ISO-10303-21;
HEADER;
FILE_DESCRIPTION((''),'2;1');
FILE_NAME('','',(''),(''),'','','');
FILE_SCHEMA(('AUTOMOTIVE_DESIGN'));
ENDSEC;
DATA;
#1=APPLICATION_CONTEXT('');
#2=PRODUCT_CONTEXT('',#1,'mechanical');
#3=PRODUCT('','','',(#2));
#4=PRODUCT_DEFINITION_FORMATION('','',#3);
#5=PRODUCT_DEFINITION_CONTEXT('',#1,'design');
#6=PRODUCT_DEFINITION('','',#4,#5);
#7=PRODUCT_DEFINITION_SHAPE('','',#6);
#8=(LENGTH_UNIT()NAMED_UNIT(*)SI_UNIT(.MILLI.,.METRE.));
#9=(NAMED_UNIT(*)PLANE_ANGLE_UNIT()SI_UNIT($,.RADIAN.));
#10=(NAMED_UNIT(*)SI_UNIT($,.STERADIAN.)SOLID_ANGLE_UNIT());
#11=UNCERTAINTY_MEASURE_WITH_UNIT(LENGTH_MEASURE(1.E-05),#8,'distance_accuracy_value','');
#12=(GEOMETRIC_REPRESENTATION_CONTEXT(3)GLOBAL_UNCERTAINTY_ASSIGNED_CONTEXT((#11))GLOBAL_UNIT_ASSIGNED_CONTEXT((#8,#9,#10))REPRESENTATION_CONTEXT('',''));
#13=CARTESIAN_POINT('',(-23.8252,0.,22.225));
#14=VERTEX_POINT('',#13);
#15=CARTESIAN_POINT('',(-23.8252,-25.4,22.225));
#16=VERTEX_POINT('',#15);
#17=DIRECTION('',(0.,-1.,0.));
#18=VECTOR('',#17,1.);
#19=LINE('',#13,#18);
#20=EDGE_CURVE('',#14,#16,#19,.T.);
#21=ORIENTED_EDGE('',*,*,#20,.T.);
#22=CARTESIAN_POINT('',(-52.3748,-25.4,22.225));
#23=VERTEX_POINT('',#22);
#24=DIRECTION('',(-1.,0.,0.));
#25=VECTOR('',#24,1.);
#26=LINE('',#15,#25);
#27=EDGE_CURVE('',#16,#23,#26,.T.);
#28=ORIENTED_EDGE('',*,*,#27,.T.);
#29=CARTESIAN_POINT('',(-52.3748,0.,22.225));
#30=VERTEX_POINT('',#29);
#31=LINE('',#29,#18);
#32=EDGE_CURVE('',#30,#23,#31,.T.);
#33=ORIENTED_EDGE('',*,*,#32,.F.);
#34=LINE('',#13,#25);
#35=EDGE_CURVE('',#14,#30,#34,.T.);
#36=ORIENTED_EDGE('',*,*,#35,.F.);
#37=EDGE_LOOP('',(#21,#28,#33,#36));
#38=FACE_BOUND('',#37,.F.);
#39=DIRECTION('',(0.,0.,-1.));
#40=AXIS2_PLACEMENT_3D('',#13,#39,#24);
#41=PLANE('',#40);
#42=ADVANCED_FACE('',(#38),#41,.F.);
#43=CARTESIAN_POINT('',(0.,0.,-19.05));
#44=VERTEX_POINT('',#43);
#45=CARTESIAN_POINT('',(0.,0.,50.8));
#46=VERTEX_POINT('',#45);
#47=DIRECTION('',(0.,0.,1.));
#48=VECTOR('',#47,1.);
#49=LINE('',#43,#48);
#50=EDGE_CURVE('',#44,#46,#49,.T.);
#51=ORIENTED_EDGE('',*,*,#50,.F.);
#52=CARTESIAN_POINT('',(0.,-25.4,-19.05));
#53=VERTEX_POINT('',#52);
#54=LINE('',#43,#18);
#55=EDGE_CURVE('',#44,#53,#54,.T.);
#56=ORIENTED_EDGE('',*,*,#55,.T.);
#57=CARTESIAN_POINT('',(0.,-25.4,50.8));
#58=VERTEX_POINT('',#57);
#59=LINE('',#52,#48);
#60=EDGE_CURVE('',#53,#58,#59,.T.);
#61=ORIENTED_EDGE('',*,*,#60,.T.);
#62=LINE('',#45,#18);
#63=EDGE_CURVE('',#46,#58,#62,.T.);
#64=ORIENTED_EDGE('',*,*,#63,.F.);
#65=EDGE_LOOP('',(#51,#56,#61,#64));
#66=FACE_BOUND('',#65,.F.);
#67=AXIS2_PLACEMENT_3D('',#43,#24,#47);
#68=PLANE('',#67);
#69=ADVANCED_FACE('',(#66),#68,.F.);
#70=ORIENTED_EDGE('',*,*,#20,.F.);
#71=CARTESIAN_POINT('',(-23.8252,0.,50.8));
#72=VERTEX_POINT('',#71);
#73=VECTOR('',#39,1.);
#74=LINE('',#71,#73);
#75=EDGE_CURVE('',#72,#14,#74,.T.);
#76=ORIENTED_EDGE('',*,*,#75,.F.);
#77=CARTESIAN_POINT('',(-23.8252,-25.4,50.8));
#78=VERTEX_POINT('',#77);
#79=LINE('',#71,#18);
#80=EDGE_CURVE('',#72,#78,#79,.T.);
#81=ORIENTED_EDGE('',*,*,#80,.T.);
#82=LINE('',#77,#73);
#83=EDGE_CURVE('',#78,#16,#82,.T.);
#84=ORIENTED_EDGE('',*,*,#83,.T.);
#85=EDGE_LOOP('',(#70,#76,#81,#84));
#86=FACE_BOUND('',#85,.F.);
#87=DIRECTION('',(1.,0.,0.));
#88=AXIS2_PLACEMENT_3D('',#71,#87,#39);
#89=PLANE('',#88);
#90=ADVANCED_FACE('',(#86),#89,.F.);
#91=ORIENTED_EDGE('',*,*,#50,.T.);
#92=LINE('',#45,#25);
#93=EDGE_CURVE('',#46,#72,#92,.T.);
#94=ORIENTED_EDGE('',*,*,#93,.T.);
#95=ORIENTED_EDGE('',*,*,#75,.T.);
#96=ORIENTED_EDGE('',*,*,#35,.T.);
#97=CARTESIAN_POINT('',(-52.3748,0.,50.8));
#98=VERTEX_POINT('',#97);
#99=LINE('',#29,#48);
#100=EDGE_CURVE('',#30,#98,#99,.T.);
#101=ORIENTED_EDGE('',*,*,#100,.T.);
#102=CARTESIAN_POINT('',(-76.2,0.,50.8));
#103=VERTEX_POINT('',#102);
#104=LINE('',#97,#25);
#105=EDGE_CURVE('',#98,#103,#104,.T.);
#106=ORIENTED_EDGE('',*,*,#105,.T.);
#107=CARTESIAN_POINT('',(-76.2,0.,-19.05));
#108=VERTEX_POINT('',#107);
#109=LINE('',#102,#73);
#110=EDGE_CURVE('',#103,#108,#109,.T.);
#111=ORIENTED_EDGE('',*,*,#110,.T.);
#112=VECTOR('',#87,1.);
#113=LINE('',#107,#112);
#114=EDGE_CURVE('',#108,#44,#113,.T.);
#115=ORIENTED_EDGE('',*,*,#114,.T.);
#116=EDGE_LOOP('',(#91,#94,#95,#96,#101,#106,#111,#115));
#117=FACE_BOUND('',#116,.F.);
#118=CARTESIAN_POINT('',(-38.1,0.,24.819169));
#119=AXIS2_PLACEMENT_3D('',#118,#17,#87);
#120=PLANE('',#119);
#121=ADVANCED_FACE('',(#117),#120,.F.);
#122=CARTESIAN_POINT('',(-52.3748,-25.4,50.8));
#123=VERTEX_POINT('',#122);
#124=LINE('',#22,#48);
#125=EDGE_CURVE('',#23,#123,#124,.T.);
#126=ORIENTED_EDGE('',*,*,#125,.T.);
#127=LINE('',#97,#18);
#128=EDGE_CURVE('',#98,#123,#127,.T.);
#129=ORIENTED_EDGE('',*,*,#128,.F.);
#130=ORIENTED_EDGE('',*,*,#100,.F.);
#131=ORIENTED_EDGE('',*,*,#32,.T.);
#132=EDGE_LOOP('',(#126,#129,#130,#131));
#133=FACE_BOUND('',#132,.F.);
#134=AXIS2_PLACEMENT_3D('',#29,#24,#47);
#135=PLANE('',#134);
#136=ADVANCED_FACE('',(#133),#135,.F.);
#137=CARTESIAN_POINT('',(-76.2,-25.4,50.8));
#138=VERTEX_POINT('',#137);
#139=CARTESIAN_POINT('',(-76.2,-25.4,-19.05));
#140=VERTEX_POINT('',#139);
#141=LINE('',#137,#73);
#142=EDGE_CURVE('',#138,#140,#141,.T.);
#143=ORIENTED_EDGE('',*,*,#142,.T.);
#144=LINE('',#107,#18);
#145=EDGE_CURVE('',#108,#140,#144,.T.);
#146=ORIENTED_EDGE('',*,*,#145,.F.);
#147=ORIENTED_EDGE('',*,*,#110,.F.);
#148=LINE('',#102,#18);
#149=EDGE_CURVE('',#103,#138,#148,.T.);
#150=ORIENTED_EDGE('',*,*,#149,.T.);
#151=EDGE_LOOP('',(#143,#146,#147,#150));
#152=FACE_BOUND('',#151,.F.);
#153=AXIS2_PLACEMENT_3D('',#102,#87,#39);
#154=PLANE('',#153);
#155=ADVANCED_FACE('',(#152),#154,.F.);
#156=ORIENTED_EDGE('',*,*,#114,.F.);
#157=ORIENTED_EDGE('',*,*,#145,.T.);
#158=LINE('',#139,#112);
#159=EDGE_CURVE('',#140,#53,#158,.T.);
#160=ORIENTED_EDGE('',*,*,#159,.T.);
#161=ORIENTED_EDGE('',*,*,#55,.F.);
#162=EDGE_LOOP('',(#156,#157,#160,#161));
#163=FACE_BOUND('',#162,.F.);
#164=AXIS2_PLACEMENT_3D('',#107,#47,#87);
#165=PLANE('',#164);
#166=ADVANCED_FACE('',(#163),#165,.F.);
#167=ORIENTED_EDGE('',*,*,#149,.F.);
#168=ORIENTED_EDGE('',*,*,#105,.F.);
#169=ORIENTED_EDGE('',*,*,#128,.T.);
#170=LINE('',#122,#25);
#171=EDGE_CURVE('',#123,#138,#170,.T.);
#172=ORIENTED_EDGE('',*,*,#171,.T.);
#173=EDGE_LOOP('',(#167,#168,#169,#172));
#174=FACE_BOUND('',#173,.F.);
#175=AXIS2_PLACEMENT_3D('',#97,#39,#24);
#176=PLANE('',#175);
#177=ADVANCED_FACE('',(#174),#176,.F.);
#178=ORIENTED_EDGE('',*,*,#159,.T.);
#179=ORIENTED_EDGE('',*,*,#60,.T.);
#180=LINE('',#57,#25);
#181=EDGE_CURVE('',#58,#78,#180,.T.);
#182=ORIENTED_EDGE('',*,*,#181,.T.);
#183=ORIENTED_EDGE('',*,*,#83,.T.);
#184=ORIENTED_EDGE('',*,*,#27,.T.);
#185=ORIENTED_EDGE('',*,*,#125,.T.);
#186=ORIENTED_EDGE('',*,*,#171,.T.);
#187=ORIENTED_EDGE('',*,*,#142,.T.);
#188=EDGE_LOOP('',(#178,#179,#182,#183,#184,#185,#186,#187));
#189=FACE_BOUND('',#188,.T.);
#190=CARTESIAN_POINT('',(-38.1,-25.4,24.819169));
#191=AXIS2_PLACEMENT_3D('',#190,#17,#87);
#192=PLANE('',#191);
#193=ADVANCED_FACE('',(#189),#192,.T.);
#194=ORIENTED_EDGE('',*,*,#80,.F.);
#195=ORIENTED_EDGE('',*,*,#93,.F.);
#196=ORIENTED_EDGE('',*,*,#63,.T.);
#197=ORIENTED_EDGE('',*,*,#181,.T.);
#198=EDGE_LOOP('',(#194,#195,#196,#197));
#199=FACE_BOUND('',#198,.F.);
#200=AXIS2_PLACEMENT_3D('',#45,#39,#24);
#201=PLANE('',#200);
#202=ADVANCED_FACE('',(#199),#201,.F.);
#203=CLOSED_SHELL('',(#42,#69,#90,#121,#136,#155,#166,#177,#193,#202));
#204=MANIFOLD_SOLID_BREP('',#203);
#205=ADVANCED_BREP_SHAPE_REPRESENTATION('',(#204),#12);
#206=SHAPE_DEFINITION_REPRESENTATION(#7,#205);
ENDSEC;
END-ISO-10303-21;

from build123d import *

# Parameters (mm, degrees)
F1_DEPTH = 25.4


with BuildPart() as f1:
    # F0 (on Front) → F1 (new body)
    with BuildSketch(Plane.XZ):
        Polygon((-23.8252, 0), (0, 0), (0, 50.8), (-23.8252, 50.8), (-23.8252, 22.225), (-52.3748, 22.225), (-52.3748, 50.8), (-76.2, 50.8), (-76.2, 0), (-52.3748, 0), align=None)
        Polygon((0, -19.05), (0, 0), (-23.8252, 0), (-52.3748, 0), (-76.2, 0), (-76.2, -19.05), align=None)
    extrude(amount=F1_DEPTH)


solid = f1.part
